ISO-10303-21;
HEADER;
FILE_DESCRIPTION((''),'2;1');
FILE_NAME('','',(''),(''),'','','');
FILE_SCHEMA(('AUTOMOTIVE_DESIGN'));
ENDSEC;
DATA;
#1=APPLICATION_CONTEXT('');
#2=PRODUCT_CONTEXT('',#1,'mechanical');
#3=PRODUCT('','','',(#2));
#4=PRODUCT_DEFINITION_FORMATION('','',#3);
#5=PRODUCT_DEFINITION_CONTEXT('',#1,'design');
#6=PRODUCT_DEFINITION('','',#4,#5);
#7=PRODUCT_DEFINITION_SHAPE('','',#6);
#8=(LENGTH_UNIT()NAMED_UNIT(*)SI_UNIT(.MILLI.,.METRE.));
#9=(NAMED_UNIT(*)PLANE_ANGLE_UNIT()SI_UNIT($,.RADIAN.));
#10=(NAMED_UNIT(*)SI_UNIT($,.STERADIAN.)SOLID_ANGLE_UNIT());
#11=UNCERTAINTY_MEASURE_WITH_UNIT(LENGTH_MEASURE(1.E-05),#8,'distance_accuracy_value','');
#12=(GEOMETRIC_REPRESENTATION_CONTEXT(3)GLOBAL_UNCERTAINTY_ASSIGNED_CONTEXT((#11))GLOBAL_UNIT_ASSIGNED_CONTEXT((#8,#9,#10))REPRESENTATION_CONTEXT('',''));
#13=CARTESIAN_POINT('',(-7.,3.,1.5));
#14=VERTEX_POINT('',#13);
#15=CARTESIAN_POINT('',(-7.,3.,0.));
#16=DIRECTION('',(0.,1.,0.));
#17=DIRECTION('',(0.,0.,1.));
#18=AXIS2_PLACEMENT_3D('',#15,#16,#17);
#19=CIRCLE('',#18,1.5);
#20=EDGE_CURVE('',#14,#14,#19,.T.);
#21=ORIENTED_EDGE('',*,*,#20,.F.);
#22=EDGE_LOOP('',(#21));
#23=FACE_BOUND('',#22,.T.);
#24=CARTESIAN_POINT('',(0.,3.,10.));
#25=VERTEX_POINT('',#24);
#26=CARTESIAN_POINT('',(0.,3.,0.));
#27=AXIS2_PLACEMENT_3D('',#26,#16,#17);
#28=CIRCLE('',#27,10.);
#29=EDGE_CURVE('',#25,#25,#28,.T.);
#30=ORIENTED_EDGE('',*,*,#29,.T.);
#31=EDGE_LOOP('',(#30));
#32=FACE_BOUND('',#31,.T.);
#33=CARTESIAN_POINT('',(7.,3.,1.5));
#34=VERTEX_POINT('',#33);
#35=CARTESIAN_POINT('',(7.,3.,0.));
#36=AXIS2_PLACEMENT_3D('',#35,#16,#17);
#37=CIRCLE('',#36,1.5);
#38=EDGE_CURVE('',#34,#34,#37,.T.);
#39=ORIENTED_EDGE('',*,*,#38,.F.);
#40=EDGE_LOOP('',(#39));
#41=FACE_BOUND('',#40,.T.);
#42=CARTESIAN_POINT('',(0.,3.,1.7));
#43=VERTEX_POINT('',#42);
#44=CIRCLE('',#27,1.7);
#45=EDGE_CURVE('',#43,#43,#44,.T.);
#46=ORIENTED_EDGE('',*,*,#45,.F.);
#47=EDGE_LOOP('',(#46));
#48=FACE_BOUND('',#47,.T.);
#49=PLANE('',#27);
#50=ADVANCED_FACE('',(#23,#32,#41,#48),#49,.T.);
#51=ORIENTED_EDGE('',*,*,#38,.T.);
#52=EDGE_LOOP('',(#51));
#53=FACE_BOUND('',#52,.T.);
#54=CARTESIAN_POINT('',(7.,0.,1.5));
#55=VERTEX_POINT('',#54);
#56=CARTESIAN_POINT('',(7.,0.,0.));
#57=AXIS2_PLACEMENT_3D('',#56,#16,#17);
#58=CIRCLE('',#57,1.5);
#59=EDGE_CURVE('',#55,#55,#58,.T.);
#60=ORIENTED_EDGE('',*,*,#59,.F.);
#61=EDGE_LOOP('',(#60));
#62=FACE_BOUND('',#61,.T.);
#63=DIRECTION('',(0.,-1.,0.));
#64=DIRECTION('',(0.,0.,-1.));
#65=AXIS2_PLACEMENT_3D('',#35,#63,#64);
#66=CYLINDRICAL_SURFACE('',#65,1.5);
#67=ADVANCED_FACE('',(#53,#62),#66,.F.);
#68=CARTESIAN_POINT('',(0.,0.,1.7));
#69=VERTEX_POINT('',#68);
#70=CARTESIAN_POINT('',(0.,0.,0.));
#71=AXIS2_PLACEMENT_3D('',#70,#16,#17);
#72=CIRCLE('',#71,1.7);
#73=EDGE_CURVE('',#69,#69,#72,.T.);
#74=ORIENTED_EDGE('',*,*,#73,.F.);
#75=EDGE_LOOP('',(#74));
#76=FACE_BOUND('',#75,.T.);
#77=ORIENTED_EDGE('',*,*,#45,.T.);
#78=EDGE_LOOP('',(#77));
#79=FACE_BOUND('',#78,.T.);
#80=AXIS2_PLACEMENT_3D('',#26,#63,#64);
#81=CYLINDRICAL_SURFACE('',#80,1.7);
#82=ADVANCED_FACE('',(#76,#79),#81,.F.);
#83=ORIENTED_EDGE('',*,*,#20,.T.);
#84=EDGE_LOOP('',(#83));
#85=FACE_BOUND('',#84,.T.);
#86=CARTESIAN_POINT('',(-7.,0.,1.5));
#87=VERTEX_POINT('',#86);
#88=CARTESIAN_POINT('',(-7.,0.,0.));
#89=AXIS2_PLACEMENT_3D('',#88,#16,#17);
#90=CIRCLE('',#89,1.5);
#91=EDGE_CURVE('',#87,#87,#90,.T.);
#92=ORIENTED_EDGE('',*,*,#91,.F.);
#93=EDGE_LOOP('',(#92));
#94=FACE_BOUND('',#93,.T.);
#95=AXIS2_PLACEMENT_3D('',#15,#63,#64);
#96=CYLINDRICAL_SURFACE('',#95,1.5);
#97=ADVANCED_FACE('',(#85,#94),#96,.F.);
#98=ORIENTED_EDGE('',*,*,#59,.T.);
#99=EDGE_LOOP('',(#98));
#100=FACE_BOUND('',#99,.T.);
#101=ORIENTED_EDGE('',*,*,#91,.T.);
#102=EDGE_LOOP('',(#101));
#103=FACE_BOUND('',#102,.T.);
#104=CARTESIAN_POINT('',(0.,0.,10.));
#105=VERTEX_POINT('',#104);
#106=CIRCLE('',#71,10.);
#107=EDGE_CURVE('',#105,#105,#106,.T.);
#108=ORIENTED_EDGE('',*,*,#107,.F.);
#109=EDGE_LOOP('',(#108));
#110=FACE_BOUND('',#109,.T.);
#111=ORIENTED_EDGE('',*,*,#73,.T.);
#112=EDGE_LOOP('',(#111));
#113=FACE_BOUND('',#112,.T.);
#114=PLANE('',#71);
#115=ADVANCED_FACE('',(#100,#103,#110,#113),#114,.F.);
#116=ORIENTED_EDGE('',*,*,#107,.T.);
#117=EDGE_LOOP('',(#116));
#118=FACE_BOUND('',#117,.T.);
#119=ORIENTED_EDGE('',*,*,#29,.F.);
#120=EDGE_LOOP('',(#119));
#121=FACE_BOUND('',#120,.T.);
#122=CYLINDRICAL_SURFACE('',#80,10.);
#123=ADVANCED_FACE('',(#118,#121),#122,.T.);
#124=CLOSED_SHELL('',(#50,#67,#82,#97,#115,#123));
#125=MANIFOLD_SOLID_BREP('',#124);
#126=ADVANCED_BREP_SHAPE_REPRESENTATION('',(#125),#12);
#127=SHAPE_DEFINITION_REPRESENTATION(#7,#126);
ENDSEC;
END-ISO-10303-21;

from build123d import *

# Parameters (mm, degrees)
CROQUIS1_R              = 10
CROQUIS1_R_2            = 1.7
CROQUIS1_R_3            = 1.5
SALIENTE_EXTRUIR1_DEPTH = 3


with BuildPart() as part:
    # Croquis1 → Saliente-Extruir1 (new body)
    with BuildSketch(Plane(origin=(0, 0, 0), x_dir=(1, 0, 0), z_dir=(0, 1, 0))):
        Circle(CROQUIS1_R)
        Circle(CROQUIS1_R_2, mode=Mode.SUBTRACT)
        with Locations((7, 0)):
            Circle(CROQUIS1_R_3, mode=Mode.SUBTRACT)
        with Locations((-7, 0)):
            Circle(CROQUIS1_R_3, mode=Mode.SUBTRACT)
    extrude(amount=SALIENTE_EXTRUIR1_DEPTH)


solid = part.part
